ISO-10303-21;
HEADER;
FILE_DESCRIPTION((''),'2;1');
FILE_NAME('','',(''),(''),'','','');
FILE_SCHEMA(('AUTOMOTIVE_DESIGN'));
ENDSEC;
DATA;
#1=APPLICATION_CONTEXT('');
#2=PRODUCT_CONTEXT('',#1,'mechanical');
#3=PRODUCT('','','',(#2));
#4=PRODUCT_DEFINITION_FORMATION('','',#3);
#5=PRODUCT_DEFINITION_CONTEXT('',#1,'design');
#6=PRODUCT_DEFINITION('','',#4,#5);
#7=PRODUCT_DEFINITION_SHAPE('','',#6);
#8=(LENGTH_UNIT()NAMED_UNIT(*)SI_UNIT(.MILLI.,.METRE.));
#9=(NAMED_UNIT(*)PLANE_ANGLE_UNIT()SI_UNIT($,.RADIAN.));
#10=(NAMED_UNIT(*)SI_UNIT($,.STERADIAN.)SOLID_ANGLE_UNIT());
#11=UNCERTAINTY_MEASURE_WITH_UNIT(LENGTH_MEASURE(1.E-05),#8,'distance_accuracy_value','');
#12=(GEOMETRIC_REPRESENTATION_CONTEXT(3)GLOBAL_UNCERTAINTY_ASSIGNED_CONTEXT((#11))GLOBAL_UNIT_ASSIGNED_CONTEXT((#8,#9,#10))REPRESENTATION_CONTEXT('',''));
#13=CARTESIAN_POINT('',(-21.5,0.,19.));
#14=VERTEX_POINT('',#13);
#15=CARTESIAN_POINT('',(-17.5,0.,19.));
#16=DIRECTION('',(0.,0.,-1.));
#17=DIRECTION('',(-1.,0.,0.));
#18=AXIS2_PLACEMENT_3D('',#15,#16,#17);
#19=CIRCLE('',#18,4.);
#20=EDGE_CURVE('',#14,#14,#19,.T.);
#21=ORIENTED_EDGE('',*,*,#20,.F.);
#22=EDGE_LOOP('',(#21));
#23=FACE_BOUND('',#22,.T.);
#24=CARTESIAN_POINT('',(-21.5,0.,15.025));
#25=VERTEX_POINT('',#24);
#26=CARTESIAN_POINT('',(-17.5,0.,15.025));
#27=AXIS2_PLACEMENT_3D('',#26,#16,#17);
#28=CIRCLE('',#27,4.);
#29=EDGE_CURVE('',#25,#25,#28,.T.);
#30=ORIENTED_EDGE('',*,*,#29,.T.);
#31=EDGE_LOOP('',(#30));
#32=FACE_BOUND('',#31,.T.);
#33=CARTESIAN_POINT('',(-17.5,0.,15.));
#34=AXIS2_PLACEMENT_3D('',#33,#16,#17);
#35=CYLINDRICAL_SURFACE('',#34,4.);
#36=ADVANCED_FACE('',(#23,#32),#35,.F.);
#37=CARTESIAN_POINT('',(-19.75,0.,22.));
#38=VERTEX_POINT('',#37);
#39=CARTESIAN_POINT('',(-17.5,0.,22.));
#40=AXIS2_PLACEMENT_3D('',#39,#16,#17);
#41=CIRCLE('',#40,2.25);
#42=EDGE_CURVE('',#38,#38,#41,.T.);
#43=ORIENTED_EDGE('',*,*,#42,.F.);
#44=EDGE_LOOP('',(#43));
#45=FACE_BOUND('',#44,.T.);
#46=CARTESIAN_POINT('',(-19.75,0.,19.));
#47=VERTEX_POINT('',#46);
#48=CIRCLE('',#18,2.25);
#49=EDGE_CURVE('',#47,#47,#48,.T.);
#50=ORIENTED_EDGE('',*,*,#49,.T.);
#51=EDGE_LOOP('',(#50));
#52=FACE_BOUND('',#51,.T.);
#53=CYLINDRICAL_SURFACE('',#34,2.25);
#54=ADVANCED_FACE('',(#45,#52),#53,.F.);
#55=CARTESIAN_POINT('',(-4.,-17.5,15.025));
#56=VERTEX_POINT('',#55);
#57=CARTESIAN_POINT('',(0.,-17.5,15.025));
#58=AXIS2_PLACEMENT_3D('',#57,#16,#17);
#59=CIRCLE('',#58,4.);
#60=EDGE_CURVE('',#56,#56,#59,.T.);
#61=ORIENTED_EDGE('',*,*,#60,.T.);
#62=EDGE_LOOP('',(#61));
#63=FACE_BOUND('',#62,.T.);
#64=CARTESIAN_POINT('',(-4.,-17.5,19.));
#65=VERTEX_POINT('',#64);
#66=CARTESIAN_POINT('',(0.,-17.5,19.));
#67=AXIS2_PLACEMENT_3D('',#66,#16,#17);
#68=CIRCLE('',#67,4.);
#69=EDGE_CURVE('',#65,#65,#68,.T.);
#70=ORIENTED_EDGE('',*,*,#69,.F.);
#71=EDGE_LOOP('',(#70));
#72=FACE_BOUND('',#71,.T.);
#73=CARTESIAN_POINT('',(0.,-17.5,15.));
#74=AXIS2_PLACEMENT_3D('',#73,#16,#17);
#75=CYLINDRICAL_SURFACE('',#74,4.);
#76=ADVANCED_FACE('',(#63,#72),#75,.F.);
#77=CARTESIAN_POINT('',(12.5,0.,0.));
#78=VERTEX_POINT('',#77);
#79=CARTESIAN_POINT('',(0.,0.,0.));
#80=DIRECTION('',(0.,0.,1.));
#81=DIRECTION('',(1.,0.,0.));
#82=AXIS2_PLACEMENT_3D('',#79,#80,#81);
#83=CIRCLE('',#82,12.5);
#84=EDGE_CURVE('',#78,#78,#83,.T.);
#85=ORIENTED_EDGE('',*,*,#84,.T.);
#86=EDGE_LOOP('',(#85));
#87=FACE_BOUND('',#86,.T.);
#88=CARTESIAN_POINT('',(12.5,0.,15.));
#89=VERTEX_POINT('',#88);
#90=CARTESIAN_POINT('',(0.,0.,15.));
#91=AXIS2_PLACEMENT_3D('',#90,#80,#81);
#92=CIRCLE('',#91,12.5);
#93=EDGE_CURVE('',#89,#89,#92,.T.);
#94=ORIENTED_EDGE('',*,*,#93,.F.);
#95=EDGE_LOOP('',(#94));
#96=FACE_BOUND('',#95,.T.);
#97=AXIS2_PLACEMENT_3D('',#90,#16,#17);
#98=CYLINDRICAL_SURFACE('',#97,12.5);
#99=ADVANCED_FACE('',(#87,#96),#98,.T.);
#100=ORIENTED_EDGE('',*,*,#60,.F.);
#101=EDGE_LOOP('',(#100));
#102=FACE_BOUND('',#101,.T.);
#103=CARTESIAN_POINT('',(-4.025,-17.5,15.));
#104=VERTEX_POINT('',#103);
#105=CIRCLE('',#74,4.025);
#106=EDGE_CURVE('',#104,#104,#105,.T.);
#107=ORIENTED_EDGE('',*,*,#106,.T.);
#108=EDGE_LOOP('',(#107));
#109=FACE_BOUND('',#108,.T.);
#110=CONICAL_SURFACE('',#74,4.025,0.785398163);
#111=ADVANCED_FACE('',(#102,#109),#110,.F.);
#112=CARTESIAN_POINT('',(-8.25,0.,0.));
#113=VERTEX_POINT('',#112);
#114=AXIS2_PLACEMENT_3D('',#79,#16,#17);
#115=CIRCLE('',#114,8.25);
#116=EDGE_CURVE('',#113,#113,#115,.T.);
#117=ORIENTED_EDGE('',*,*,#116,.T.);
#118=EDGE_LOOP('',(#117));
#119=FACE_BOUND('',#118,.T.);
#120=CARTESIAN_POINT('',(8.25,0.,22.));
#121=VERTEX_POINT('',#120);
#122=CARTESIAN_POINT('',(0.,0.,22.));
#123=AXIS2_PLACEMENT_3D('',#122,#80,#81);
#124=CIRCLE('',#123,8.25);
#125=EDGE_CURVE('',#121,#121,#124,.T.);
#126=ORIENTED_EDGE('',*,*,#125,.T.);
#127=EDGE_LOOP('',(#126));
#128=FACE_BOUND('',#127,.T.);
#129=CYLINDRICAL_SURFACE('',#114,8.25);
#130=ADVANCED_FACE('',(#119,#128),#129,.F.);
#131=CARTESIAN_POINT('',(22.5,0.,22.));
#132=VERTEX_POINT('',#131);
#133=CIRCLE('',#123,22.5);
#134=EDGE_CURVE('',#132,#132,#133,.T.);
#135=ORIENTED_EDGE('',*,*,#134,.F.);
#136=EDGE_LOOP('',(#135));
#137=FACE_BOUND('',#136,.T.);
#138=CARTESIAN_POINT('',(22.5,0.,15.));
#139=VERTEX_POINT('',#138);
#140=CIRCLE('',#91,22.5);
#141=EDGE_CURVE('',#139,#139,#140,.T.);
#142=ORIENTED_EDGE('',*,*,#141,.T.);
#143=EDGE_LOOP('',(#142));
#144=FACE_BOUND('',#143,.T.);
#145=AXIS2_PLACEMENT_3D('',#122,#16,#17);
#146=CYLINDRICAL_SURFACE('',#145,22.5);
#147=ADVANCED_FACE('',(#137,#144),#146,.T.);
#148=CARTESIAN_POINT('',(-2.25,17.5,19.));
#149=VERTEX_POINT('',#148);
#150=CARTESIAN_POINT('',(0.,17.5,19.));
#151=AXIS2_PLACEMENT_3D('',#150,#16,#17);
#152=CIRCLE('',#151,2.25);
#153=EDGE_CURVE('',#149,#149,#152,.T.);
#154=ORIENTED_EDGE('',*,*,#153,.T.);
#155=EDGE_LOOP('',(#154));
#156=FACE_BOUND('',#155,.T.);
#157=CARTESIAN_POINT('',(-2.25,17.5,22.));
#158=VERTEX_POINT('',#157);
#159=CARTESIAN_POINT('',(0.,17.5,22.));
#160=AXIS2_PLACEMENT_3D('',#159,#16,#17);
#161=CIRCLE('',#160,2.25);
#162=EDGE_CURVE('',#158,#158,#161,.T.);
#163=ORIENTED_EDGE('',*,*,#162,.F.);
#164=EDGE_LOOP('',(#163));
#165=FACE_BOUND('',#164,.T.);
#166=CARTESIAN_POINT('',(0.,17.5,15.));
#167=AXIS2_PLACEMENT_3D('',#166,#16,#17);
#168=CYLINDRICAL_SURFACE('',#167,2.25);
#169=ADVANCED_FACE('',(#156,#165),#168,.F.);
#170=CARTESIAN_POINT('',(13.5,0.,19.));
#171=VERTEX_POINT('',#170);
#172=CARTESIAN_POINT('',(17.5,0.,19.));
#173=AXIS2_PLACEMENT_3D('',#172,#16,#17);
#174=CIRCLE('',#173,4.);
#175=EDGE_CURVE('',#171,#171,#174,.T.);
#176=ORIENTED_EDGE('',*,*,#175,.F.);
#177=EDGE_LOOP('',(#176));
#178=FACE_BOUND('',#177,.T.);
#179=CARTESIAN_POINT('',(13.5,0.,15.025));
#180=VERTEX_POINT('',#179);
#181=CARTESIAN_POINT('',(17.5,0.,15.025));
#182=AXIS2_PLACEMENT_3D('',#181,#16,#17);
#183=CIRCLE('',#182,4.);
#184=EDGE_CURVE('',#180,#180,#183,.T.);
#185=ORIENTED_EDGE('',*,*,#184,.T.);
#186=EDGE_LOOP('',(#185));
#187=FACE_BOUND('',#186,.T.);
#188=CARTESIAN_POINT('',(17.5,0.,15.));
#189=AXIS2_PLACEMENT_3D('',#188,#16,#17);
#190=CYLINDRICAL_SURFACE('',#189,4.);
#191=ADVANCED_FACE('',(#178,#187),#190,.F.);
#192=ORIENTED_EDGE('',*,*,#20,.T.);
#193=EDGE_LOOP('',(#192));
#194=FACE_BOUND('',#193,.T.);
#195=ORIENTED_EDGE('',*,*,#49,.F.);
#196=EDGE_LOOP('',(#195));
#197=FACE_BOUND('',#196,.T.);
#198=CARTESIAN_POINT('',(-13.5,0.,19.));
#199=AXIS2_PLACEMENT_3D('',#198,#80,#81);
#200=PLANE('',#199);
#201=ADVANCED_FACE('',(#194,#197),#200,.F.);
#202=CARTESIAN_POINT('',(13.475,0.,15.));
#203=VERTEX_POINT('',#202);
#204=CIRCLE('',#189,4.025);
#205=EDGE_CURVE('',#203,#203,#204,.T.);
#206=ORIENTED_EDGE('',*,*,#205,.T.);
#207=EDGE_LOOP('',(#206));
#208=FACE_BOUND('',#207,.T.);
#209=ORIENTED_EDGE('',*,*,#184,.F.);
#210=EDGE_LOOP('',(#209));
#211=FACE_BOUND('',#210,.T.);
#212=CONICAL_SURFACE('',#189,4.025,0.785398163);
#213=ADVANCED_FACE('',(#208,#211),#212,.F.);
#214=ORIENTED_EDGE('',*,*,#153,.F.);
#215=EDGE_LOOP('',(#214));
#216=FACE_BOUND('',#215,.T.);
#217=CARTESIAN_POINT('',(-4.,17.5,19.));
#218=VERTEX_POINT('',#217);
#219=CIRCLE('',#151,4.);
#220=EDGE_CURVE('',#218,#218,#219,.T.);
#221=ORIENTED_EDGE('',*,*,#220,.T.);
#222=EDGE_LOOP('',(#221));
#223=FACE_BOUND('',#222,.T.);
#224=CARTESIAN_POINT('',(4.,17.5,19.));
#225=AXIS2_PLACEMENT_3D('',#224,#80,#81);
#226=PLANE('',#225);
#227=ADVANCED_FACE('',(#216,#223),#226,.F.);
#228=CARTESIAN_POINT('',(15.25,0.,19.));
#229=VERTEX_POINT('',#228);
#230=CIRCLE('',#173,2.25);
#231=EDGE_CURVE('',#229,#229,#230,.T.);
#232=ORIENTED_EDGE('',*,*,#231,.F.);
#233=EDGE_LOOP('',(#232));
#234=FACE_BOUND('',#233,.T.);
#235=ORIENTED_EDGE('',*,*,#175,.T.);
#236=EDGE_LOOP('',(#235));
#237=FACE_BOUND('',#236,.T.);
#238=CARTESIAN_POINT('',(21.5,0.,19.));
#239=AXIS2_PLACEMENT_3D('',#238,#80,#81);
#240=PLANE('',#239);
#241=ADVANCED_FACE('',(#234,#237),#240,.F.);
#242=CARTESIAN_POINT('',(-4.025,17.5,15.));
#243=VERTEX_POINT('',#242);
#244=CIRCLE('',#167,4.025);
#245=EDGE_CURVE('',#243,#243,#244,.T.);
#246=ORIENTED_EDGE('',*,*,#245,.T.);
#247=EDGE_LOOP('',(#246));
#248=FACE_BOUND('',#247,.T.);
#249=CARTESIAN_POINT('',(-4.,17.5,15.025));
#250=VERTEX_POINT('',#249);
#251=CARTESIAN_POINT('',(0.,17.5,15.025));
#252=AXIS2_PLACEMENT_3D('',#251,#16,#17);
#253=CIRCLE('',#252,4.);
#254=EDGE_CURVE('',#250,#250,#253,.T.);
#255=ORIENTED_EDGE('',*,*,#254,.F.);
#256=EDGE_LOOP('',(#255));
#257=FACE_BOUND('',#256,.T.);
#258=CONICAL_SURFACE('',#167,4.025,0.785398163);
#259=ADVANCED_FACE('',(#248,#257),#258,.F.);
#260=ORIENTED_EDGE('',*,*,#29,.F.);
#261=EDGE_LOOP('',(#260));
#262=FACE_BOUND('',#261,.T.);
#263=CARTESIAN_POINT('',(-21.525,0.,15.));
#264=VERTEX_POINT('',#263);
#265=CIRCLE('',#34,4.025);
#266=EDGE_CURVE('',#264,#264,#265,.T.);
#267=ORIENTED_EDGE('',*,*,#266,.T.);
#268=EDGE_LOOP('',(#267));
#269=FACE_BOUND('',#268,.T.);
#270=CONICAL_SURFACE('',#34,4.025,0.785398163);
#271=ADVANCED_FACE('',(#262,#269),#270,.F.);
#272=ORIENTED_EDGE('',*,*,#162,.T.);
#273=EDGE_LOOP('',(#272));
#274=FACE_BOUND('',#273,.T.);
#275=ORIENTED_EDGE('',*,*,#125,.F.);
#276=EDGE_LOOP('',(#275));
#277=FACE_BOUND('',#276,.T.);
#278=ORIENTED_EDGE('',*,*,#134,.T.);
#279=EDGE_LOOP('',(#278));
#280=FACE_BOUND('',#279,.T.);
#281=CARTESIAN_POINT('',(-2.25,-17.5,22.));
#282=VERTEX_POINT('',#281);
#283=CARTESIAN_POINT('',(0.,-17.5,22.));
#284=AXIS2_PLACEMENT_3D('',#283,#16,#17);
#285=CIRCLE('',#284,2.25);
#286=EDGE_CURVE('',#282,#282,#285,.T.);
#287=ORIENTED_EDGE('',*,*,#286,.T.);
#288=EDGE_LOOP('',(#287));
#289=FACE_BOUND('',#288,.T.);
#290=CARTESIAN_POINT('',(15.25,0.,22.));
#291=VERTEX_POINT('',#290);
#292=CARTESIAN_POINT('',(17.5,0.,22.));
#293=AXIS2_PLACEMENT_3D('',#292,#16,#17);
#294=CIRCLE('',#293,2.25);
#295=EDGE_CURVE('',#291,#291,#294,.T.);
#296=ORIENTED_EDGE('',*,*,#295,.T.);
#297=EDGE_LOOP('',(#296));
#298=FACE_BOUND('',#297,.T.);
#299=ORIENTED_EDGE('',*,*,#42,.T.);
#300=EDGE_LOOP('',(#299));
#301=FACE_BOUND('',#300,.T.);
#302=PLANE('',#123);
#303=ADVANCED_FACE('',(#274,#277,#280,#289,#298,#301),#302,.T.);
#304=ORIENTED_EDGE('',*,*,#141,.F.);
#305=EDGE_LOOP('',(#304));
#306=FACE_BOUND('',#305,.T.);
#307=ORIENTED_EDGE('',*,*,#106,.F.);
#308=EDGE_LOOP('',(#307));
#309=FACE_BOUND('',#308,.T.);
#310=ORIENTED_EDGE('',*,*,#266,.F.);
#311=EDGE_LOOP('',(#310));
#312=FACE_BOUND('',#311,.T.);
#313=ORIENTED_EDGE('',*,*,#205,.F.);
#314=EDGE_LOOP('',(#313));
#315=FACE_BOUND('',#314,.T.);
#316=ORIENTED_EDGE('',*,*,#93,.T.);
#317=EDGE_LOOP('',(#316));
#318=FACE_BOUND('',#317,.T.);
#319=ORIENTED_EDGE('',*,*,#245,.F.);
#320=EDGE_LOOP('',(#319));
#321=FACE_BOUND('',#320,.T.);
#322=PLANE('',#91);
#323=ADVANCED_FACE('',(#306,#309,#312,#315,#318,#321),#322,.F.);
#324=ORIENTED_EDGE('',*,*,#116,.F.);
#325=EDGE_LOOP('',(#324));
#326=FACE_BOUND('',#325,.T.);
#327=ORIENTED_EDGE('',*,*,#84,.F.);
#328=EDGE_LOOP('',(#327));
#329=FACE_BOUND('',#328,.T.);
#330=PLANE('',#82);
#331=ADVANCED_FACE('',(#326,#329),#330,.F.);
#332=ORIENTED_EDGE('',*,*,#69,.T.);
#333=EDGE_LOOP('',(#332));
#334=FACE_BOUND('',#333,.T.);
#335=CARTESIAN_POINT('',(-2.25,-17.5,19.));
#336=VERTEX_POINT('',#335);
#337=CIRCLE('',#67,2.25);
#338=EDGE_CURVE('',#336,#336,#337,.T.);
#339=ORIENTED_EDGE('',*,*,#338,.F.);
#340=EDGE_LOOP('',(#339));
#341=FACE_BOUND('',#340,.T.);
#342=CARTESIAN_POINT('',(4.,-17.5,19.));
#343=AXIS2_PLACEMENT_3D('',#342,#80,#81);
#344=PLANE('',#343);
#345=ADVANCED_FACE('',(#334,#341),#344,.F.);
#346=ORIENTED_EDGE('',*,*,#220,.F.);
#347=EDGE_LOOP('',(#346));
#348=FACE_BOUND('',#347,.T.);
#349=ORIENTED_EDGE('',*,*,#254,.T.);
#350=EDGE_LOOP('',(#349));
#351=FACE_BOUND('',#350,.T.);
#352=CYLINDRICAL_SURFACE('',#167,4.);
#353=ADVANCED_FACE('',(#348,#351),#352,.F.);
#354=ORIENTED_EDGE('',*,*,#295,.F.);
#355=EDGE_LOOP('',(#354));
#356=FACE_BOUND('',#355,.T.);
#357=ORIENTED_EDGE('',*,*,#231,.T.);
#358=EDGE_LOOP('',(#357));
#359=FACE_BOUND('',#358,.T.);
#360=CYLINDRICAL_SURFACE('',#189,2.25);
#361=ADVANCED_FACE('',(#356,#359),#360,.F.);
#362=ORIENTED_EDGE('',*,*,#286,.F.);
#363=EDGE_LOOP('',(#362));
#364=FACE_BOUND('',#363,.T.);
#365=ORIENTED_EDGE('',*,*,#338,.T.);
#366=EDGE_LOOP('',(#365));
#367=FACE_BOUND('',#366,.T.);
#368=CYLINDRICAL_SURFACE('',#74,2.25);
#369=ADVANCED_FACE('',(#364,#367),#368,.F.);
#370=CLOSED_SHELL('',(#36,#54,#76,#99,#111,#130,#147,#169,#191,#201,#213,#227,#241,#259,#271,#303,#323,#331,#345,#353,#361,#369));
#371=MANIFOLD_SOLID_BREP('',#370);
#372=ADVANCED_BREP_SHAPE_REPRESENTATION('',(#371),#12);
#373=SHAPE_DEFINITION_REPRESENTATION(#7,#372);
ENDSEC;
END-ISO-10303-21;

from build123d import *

# Parameters (mm, degrees)
SKETCH_1_R               = 12.5
EXTRUDE_1_DEPTH          = 15
SKETCH_2_R               = 22.5
EXTRUDE_2_DEPTH          = 7
M18X1_5_1_D              = 16.5
M18X1_5_1_DEPTH          = 43.5
M18X1_5_1_TIP            = 4.957100107
PATTERN_CIRCULAR_1_COUNT = 4


with BuildPart() as part:
    # 草图1 → 拉伸1 (new body)
    with BuildSketch(Plane.XY):
        Circle(SKETCH_1_R)
    extrude(amount=EXTRUDE_1_DEPTH)

    # 草图2 → 拉伸2 (add)
    with BuildSketch(Plane.XY.offset(15)):
        Circle(SKETCH_2_R)
    extrude(amount=EXTRUDE_2_DEPTH)

    # M18x1.5 螺纹孔1
    with Locations(Plane(origin=(0, 0, 0), x_dir=(-1, 0, 0), z_dir=(0, 0, -1))):
        with Locations((0, 0)):
            Hole(M18X1_5_1_D / 2, depth=M18X1_5_1_DEPTH)
            with Locations((0, 0, -(M18X1_5_1_DEPTH + M18X1_5_1_TIP / 2))):  # 118° drill point
                Cone(0, M18X1_5_1_D / 2, M18X1_5_1_TIP, mode=Mode.SUBTRACT)

    # 草图5 → M4 六角凹头螺钉的柱形沉头孔1 (revolve, cut)
    with BuildSketch(Plane(origin=(0, 17.5, 15), x_dir=(0, 1, 0), z_dir=(1, 0, 0))):
        Polygon((0, 0), (0, 7), (2.25, 7), (2.25, 4), (4, 4), (4, 0.025), (4.025, 0), align=None)
    hole_wizard_m4_1 = revolve(axis=Axis((0, 17.5, 8.65), (0, 0, 1)), mode=Mode.SUBTRACT)

    # 阵列(圆周)1: M4 六角凹头螺钉的柱形沉头孔1 ×4 about axis
    pattern_circular_1_axis = Axis((0, 0, 0), (0, 0, 1))
    for i in range(1, PATTERN_CIRCULAR_1_COUNT):
        add(hole_wizard_m4_1.rotate(pattern_circular_1_axis, i * 360 / PATTERN_CIRCULAR_1_COUNT), mode=Mode.SUBTRACT)


solid = part.part
